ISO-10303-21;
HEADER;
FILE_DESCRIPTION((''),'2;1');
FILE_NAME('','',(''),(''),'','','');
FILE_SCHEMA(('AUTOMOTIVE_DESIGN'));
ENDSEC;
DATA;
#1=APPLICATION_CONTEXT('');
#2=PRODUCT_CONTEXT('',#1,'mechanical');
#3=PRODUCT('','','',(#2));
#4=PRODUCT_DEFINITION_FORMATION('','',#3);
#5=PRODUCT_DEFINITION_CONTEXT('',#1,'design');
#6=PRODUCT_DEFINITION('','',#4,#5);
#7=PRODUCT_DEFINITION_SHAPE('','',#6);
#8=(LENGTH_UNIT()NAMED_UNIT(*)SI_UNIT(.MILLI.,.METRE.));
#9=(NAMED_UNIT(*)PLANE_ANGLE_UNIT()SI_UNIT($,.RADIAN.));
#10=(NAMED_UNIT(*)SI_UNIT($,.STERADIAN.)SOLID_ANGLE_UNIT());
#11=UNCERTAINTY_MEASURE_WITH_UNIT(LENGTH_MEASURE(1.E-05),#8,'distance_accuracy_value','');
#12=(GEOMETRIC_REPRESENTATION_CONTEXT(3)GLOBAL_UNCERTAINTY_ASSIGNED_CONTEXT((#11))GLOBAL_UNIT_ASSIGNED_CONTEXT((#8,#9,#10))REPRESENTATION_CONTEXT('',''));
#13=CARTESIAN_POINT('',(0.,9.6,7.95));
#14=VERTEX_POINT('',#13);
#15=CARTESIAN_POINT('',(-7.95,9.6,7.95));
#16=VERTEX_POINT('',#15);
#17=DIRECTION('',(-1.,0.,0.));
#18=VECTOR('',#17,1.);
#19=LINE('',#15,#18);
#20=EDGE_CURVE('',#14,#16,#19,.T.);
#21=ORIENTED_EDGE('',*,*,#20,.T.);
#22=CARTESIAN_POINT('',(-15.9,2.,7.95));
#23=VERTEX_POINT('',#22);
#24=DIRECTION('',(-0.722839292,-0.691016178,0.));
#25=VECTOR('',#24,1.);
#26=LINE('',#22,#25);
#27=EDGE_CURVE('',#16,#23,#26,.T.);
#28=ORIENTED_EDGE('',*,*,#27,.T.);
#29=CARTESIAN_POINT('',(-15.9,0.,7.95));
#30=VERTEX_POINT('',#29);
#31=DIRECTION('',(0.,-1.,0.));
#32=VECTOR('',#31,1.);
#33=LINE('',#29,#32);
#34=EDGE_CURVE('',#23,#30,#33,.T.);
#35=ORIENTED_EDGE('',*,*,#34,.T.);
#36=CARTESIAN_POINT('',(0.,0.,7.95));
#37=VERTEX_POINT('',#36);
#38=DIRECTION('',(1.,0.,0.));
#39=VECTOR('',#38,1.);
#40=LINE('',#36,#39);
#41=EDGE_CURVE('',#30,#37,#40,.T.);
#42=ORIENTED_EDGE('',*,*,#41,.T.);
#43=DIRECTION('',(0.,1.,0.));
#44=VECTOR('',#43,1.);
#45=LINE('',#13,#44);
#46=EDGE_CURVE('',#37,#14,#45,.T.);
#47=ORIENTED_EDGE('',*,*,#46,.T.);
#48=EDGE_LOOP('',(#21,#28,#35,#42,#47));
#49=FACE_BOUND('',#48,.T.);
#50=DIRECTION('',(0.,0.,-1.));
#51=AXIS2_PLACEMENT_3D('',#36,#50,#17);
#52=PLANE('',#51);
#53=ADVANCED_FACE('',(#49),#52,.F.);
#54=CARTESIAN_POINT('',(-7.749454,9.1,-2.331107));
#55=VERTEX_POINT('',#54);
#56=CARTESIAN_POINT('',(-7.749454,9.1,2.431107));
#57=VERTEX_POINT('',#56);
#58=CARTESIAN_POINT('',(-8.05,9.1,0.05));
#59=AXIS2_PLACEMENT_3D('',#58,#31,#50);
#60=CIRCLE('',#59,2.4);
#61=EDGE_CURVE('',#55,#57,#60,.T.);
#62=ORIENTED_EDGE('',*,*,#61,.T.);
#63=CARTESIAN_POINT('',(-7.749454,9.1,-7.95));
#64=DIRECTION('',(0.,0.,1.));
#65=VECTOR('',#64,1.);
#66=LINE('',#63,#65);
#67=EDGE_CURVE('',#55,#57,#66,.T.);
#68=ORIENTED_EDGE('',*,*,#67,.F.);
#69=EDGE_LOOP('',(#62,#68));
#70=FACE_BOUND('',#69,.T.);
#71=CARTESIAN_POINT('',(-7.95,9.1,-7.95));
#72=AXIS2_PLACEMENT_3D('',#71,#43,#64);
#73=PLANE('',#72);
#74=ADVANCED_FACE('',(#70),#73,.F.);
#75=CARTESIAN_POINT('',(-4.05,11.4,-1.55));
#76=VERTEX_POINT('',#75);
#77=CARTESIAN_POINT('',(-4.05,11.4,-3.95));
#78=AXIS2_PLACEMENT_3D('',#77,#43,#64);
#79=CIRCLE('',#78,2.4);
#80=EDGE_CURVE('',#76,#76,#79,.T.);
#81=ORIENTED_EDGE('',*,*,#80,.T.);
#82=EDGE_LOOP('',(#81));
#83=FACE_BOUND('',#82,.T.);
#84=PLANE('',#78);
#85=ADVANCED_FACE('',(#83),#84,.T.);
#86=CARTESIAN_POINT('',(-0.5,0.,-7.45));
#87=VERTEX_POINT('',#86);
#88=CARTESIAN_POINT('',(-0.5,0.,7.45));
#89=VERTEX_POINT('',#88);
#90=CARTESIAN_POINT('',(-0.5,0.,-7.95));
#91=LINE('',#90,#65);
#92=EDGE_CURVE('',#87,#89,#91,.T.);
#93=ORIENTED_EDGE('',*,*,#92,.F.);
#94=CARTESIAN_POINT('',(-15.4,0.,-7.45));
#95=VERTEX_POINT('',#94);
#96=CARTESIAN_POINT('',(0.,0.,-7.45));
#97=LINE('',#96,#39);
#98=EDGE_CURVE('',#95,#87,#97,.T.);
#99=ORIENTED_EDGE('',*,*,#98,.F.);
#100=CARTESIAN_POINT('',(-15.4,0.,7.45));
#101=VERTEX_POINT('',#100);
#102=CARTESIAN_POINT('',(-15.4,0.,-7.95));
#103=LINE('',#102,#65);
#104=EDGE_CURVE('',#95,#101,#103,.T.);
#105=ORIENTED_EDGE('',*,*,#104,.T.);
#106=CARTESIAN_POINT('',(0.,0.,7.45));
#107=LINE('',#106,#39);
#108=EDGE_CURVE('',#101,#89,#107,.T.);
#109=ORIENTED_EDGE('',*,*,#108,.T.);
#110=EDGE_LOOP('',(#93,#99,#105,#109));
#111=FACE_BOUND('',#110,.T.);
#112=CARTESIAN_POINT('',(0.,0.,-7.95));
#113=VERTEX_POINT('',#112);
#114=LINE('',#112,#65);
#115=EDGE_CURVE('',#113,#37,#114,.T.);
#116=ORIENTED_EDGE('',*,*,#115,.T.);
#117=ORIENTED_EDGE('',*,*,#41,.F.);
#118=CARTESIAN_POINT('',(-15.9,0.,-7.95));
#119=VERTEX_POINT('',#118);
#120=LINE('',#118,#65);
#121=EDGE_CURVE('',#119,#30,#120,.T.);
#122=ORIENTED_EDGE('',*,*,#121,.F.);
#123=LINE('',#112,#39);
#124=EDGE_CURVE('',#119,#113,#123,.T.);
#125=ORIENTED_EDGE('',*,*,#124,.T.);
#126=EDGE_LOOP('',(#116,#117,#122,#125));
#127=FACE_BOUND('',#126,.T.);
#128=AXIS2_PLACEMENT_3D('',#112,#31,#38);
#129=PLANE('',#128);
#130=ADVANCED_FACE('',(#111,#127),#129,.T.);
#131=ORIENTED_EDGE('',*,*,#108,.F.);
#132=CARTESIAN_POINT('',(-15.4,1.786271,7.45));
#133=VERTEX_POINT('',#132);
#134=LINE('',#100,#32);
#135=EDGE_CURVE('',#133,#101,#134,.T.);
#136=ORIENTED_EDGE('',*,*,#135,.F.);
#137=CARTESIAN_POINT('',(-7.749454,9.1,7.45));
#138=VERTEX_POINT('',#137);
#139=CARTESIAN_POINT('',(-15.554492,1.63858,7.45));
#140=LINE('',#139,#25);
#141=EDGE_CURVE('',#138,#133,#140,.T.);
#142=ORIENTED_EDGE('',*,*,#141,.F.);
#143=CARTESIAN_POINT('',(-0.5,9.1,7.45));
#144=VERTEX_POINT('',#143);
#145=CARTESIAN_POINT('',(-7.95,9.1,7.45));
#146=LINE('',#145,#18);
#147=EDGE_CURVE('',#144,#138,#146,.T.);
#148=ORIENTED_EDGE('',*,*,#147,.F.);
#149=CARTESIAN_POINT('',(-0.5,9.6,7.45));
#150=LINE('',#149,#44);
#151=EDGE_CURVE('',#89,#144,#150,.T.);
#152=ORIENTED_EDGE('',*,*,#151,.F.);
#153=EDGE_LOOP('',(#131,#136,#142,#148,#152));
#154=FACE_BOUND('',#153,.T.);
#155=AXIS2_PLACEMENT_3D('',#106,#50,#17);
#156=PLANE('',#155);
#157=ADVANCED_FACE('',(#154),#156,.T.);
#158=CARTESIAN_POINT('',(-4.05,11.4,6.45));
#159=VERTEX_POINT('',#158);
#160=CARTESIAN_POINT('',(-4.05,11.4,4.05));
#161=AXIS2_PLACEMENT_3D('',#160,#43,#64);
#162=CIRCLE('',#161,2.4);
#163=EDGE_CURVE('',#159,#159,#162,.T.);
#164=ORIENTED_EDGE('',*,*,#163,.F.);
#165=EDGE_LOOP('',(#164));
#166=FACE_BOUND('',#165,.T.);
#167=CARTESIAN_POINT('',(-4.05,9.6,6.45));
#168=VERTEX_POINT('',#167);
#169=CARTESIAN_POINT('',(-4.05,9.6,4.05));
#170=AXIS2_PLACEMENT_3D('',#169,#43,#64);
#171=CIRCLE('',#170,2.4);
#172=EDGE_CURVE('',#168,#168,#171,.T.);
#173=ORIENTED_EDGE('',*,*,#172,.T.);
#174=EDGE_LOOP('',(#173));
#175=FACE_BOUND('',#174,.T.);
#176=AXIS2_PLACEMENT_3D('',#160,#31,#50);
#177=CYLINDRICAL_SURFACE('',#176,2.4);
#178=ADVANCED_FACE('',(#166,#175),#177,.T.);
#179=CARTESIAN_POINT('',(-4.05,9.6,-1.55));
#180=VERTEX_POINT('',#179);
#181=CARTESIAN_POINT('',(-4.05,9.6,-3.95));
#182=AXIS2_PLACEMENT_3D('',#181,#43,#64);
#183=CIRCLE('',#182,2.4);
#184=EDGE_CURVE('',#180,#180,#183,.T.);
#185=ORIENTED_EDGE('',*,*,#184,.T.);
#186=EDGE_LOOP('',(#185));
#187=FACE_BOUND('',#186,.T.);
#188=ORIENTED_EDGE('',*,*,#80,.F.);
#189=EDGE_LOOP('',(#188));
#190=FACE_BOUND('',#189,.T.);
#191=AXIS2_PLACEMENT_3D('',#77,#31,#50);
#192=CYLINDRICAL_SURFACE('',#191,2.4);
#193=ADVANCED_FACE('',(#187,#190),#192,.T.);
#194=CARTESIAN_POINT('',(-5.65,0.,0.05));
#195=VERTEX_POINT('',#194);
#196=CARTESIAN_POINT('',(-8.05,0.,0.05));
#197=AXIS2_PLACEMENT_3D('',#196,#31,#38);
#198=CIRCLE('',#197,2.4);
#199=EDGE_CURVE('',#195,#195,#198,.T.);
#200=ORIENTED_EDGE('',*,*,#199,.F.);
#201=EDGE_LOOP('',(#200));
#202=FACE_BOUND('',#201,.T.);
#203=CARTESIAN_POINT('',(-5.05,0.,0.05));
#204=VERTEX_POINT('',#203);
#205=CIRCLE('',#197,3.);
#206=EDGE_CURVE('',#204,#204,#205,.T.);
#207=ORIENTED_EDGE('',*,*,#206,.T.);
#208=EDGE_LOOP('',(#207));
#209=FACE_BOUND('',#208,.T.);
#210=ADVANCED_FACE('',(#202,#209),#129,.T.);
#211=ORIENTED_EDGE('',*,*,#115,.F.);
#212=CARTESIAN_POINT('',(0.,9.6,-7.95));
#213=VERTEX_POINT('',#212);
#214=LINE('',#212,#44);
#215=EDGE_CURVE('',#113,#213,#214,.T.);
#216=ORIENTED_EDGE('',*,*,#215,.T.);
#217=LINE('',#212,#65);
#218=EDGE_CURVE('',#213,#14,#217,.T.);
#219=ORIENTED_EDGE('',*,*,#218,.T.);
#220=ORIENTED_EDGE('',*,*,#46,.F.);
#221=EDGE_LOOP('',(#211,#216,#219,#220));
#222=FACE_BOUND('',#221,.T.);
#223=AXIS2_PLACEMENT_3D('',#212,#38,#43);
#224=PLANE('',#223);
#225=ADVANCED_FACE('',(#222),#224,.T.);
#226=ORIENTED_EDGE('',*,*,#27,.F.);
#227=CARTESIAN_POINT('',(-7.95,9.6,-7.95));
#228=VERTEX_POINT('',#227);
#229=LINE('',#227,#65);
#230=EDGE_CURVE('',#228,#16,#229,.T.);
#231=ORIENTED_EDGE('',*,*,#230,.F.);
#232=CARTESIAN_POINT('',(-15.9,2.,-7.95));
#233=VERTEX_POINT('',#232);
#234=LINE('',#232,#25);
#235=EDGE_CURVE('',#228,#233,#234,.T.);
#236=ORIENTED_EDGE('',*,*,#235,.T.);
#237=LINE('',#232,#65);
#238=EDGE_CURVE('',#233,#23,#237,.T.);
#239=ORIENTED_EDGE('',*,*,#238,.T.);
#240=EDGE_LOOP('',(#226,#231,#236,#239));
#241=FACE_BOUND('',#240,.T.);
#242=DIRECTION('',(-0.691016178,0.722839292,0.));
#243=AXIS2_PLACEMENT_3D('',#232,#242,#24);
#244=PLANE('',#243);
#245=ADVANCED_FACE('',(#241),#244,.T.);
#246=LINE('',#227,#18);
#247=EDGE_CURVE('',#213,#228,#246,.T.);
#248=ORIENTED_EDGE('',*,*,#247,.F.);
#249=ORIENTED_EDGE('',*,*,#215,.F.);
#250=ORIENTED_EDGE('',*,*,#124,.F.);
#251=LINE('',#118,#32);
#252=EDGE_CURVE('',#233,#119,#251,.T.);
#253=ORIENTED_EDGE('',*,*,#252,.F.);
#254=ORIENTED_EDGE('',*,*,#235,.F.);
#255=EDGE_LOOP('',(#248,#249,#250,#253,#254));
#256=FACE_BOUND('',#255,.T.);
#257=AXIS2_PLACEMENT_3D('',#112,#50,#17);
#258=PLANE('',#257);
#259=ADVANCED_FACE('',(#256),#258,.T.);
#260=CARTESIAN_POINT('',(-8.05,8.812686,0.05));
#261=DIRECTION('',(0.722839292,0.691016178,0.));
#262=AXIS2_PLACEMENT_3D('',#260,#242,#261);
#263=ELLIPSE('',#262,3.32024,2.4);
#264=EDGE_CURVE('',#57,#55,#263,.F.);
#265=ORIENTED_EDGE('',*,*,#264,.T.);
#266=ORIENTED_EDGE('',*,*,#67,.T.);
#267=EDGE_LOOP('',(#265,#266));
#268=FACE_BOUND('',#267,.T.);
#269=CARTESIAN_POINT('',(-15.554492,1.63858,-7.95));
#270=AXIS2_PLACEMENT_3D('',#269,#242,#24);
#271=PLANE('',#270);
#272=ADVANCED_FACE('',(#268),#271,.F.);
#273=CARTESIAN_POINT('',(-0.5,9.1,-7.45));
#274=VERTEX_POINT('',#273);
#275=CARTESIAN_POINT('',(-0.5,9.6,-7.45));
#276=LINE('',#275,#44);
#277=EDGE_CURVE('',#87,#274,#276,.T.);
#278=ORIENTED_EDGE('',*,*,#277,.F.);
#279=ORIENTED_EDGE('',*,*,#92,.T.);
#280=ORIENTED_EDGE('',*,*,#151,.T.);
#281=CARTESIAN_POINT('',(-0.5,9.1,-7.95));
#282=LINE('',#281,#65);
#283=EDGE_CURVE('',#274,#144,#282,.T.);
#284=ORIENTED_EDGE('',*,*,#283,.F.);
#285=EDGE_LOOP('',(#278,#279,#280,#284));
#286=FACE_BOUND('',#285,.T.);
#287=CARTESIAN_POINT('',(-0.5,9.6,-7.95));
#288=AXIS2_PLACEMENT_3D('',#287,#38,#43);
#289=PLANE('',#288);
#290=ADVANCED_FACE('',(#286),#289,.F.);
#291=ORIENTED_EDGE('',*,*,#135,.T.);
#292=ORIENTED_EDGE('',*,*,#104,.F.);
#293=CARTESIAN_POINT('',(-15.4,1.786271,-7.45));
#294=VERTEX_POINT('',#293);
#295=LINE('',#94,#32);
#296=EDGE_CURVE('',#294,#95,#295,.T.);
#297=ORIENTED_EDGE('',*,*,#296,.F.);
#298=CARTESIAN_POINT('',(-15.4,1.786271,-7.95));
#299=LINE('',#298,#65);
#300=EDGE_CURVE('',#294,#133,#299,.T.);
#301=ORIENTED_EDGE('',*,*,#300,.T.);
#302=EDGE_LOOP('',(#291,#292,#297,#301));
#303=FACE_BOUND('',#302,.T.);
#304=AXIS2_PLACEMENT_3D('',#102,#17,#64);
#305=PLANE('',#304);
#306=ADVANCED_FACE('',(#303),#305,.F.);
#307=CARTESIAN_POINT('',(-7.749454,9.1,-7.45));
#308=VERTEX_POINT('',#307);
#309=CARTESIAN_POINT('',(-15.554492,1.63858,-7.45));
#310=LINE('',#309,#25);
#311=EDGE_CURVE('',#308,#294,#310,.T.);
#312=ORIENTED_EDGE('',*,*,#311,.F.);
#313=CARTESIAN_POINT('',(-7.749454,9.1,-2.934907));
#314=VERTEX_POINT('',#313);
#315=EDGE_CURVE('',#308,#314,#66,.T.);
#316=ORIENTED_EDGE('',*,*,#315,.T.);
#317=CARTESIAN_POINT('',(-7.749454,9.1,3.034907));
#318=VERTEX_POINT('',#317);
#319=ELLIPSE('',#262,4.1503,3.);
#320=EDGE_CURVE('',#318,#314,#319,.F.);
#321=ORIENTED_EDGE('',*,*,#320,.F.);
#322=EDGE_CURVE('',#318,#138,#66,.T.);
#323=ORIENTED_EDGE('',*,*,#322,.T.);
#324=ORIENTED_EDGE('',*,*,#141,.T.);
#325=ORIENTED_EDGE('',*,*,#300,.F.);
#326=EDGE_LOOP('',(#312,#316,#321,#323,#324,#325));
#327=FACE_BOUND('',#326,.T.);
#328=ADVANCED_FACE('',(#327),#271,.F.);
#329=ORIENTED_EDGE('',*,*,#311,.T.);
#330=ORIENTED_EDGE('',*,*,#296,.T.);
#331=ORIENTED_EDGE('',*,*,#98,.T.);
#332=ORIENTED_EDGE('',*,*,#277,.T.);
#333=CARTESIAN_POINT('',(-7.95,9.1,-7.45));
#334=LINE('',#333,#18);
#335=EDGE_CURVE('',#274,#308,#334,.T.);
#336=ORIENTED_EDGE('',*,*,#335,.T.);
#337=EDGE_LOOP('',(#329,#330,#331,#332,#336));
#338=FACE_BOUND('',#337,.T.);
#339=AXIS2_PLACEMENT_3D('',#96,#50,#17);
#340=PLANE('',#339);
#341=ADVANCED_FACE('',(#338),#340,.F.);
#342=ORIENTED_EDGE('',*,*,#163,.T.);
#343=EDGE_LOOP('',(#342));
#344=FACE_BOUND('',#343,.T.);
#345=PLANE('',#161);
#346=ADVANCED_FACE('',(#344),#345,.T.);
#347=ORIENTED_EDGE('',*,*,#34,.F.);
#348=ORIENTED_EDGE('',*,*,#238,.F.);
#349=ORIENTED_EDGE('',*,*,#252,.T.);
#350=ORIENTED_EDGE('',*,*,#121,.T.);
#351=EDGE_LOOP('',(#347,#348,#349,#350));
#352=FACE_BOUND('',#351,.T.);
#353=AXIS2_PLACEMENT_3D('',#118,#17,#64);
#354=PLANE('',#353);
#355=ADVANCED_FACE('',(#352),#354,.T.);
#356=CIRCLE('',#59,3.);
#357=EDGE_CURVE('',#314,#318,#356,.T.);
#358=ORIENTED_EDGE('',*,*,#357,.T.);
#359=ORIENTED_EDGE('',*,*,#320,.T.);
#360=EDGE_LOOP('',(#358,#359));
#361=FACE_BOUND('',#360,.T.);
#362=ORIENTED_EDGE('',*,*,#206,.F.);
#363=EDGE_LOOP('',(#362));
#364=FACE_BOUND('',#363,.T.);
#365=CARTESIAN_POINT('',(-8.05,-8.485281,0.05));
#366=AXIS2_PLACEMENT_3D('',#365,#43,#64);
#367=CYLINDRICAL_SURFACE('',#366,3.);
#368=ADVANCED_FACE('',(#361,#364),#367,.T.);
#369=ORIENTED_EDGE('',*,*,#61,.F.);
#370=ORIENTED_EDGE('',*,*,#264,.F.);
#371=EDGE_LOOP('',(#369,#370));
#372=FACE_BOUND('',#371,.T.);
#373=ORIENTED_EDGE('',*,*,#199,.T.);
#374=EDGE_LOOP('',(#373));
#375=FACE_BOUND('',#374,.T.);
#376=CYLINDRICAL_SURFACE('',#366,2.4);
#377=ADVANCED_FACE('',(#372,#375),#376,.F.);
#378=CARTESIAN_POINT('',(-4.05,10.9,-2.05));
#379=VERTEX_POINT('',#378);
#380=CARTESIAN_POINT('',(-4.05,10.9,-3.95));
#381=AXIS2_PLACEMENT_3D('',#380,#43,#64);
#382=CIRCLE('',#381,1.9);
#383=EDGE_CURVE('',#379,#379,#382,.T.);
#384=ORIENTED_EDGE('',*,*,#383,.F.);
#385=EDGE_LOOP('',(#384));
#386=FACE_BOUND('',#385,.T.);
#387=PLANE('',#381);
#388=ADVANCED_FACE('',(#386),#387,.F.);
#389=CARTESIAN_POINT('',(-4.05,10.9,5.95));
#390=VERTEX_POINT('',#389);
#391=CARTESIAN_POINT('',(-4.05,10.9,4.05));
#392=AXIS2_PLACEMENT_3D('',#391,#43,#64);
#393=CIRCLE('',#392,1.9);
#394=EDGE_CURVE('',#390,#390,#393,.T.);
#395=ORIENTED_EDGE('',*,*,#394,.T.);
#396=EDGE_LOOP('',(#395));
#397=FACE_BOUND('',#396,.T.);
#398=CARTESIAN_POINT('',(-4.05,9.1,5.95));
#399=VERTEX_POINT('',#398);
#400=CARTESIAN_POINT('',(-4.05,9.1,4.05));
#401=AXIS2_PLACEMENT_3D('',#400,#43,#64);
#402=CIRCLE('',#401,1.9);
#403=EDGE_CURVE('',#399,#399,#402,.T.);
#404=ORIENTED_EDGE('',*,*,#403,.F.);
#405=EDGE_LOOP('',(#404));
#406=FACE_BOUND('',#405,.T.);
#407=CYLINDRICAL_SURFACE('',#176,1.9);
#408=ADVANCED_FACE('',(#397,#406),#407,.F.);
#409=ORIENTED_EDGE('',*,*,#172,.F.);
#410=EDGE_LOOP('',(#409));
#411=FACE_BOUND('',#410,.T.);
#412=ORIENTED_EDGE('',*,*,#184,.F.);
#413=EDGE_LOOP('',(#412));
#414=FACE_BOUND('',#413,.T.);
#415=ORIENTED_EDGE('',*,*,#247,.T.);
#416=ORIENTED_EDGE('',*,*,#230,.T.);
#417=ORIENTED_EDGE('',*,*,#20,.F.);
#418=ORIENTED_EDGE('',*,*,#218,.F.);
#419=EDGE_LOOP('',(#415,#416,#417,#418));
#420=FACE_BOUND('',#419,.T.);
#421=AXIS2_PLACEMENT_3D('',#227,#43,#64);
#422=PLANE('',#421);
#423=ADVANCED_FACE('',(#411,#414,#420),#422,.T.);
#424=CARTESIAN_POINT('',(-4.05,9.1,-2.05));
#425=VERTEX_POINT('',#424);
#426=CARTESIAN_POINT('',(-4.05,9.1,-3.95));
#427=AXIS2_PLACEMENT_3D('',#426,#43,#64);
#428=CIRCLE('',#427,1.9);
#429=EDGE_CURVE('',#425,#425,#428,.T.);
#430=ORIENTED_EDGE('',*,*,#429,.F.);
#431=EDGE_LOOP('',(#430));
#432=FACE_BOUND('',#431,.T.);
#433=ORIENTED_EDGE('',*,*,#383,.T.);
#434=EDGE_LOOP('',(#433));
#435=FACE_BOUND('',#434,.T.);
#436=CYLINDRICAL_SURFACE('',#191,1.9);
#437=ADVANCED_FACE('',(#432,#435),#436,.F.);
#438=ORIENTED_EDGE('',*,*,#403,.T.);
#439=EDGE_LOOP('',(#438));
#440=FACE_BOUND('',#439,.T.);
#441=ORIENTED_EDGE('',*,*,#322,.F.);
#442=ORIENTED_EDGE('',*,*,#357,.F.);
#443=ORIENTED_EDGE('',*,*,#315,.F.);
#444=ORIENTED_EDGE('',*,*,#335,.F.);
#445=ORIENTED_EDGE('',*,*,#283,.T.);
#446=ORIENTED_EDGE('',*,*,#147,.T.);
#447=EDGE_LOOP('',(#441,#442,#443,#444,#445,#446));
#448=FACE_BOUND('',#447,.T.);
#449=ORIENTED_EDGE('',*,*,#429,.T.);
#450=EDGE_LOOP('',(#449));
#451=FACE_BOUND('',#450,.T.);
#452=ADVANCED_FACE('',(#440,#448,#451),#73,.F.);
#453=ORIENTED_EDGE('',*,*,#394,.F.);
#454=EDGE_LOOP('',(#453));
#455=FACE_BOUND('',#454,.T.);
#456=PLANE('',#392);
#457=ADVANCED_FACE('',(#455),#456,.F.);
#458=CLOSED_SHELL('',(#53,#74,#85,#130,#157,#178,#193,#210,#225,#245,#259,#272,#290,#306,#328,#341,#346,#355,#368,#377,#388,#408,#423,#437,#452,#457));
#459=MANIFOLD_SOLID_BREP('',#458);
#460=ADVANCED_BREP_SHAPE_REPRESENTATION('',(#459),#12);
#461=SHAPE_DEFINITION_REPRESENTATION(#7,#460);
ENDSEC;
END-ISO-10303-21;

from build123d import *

# Parameters (mm, degrees)
BOSS_EXTRUDE1_DEPTH = 7.95
SKETCH2_R           = 2.4
BOSS_EXTRUDE2_DEPTH = 1.8
LPATTERN1_COUNT     = 2
LPATTERN1_PITCH     = 8
SHELL1_T            = -0.5
SKETCH3_R           = 3
SKETCH3_R_2         = 2.4
BOSS_EXTRUDE3_DEPTH = 9.1
SKETCH4_W           = 10.998295323
SKETCH4_H           = 15.9
CUT_EXTRUDE1_DEPTH  = 15.757300106


with BuildPart() as part:
    # Sketch1 → Boss-Extrude1 (new, symmetric)
    with BuildSketch(Plane.XY):
        Polygon((0, 0), (-15.9, 0), (-15.9, 2), (-7.95, 9.6), (0, 9.6), align=None)
    extrude(amount=BOSS_EXTRUDE1_DEPTH, both=True)

    # Sketch2 → Boss-Extrude2 (add)
    with BuildSketch(Plane(origin=(0, 9.6, 0), x_dir=(1, 0, 0), z_dir=(0, 1, 0))):
        with Locations(Location((-4.05, -4.05, 0), (0, 0, 270))):
            Circle(SKETCH2_R)
    boss_extrude2 = extrude(amount=BOSS_EXTRUDE2_DEPTH)

    # LPattern1: Boss-Extrude2 ×2
    with Locations(*[(0, 0, -i * LPATTERN1_PITCH) for i in range(1, LPATTERN1_COUNT)]):
        add(boss_extrude2)

    # Shell1
    shell1_openings = [part.faces().sort_by_distance(p)[0] for p in [
        (-7.95, 0, 0),
    ]]
    offset(amount=SHELL1_T, openings=shell1_openings, kind=Kind.INTERSECTION)

    # Sketch3 → Boss-Extrude3 (add)
    with BuildSketch(Plane.XZ.offset(-9.1)):
        with Locations(Location((-8.05, 0.05, 0), (0, 0, 84.250353958))):
            Circle(SKETCH3_R)
        with Locations(Location((-8.05, 0.05, 0), (0, 0, 82.806112334))):
            Circle(SKETCH3_R_2, mode=Mode.SUBTRACT)
    extrude(amount=BOSS_EXTRUDE3_DEPTH)

    # Sketch4 → Cut-Extrude1 (cut, through all)
    with BuildSketch(Plane(origin=(-8.591290689, 8.986942234, 0), x_dir=(0.7228392916279055, 0.6910161781600108, 0), z_dir=(-0.6910161781600108, 0.7228392916279055, 0))):
        with Locations((-4.611964719, 0)):
            Rectangle(SKETCH4_W, SKETCH4_H)
    extrude(amount=CUT_EXTRUDE1_DEPTH, mode=Mode.SUBTRACT)


solid = part.part
